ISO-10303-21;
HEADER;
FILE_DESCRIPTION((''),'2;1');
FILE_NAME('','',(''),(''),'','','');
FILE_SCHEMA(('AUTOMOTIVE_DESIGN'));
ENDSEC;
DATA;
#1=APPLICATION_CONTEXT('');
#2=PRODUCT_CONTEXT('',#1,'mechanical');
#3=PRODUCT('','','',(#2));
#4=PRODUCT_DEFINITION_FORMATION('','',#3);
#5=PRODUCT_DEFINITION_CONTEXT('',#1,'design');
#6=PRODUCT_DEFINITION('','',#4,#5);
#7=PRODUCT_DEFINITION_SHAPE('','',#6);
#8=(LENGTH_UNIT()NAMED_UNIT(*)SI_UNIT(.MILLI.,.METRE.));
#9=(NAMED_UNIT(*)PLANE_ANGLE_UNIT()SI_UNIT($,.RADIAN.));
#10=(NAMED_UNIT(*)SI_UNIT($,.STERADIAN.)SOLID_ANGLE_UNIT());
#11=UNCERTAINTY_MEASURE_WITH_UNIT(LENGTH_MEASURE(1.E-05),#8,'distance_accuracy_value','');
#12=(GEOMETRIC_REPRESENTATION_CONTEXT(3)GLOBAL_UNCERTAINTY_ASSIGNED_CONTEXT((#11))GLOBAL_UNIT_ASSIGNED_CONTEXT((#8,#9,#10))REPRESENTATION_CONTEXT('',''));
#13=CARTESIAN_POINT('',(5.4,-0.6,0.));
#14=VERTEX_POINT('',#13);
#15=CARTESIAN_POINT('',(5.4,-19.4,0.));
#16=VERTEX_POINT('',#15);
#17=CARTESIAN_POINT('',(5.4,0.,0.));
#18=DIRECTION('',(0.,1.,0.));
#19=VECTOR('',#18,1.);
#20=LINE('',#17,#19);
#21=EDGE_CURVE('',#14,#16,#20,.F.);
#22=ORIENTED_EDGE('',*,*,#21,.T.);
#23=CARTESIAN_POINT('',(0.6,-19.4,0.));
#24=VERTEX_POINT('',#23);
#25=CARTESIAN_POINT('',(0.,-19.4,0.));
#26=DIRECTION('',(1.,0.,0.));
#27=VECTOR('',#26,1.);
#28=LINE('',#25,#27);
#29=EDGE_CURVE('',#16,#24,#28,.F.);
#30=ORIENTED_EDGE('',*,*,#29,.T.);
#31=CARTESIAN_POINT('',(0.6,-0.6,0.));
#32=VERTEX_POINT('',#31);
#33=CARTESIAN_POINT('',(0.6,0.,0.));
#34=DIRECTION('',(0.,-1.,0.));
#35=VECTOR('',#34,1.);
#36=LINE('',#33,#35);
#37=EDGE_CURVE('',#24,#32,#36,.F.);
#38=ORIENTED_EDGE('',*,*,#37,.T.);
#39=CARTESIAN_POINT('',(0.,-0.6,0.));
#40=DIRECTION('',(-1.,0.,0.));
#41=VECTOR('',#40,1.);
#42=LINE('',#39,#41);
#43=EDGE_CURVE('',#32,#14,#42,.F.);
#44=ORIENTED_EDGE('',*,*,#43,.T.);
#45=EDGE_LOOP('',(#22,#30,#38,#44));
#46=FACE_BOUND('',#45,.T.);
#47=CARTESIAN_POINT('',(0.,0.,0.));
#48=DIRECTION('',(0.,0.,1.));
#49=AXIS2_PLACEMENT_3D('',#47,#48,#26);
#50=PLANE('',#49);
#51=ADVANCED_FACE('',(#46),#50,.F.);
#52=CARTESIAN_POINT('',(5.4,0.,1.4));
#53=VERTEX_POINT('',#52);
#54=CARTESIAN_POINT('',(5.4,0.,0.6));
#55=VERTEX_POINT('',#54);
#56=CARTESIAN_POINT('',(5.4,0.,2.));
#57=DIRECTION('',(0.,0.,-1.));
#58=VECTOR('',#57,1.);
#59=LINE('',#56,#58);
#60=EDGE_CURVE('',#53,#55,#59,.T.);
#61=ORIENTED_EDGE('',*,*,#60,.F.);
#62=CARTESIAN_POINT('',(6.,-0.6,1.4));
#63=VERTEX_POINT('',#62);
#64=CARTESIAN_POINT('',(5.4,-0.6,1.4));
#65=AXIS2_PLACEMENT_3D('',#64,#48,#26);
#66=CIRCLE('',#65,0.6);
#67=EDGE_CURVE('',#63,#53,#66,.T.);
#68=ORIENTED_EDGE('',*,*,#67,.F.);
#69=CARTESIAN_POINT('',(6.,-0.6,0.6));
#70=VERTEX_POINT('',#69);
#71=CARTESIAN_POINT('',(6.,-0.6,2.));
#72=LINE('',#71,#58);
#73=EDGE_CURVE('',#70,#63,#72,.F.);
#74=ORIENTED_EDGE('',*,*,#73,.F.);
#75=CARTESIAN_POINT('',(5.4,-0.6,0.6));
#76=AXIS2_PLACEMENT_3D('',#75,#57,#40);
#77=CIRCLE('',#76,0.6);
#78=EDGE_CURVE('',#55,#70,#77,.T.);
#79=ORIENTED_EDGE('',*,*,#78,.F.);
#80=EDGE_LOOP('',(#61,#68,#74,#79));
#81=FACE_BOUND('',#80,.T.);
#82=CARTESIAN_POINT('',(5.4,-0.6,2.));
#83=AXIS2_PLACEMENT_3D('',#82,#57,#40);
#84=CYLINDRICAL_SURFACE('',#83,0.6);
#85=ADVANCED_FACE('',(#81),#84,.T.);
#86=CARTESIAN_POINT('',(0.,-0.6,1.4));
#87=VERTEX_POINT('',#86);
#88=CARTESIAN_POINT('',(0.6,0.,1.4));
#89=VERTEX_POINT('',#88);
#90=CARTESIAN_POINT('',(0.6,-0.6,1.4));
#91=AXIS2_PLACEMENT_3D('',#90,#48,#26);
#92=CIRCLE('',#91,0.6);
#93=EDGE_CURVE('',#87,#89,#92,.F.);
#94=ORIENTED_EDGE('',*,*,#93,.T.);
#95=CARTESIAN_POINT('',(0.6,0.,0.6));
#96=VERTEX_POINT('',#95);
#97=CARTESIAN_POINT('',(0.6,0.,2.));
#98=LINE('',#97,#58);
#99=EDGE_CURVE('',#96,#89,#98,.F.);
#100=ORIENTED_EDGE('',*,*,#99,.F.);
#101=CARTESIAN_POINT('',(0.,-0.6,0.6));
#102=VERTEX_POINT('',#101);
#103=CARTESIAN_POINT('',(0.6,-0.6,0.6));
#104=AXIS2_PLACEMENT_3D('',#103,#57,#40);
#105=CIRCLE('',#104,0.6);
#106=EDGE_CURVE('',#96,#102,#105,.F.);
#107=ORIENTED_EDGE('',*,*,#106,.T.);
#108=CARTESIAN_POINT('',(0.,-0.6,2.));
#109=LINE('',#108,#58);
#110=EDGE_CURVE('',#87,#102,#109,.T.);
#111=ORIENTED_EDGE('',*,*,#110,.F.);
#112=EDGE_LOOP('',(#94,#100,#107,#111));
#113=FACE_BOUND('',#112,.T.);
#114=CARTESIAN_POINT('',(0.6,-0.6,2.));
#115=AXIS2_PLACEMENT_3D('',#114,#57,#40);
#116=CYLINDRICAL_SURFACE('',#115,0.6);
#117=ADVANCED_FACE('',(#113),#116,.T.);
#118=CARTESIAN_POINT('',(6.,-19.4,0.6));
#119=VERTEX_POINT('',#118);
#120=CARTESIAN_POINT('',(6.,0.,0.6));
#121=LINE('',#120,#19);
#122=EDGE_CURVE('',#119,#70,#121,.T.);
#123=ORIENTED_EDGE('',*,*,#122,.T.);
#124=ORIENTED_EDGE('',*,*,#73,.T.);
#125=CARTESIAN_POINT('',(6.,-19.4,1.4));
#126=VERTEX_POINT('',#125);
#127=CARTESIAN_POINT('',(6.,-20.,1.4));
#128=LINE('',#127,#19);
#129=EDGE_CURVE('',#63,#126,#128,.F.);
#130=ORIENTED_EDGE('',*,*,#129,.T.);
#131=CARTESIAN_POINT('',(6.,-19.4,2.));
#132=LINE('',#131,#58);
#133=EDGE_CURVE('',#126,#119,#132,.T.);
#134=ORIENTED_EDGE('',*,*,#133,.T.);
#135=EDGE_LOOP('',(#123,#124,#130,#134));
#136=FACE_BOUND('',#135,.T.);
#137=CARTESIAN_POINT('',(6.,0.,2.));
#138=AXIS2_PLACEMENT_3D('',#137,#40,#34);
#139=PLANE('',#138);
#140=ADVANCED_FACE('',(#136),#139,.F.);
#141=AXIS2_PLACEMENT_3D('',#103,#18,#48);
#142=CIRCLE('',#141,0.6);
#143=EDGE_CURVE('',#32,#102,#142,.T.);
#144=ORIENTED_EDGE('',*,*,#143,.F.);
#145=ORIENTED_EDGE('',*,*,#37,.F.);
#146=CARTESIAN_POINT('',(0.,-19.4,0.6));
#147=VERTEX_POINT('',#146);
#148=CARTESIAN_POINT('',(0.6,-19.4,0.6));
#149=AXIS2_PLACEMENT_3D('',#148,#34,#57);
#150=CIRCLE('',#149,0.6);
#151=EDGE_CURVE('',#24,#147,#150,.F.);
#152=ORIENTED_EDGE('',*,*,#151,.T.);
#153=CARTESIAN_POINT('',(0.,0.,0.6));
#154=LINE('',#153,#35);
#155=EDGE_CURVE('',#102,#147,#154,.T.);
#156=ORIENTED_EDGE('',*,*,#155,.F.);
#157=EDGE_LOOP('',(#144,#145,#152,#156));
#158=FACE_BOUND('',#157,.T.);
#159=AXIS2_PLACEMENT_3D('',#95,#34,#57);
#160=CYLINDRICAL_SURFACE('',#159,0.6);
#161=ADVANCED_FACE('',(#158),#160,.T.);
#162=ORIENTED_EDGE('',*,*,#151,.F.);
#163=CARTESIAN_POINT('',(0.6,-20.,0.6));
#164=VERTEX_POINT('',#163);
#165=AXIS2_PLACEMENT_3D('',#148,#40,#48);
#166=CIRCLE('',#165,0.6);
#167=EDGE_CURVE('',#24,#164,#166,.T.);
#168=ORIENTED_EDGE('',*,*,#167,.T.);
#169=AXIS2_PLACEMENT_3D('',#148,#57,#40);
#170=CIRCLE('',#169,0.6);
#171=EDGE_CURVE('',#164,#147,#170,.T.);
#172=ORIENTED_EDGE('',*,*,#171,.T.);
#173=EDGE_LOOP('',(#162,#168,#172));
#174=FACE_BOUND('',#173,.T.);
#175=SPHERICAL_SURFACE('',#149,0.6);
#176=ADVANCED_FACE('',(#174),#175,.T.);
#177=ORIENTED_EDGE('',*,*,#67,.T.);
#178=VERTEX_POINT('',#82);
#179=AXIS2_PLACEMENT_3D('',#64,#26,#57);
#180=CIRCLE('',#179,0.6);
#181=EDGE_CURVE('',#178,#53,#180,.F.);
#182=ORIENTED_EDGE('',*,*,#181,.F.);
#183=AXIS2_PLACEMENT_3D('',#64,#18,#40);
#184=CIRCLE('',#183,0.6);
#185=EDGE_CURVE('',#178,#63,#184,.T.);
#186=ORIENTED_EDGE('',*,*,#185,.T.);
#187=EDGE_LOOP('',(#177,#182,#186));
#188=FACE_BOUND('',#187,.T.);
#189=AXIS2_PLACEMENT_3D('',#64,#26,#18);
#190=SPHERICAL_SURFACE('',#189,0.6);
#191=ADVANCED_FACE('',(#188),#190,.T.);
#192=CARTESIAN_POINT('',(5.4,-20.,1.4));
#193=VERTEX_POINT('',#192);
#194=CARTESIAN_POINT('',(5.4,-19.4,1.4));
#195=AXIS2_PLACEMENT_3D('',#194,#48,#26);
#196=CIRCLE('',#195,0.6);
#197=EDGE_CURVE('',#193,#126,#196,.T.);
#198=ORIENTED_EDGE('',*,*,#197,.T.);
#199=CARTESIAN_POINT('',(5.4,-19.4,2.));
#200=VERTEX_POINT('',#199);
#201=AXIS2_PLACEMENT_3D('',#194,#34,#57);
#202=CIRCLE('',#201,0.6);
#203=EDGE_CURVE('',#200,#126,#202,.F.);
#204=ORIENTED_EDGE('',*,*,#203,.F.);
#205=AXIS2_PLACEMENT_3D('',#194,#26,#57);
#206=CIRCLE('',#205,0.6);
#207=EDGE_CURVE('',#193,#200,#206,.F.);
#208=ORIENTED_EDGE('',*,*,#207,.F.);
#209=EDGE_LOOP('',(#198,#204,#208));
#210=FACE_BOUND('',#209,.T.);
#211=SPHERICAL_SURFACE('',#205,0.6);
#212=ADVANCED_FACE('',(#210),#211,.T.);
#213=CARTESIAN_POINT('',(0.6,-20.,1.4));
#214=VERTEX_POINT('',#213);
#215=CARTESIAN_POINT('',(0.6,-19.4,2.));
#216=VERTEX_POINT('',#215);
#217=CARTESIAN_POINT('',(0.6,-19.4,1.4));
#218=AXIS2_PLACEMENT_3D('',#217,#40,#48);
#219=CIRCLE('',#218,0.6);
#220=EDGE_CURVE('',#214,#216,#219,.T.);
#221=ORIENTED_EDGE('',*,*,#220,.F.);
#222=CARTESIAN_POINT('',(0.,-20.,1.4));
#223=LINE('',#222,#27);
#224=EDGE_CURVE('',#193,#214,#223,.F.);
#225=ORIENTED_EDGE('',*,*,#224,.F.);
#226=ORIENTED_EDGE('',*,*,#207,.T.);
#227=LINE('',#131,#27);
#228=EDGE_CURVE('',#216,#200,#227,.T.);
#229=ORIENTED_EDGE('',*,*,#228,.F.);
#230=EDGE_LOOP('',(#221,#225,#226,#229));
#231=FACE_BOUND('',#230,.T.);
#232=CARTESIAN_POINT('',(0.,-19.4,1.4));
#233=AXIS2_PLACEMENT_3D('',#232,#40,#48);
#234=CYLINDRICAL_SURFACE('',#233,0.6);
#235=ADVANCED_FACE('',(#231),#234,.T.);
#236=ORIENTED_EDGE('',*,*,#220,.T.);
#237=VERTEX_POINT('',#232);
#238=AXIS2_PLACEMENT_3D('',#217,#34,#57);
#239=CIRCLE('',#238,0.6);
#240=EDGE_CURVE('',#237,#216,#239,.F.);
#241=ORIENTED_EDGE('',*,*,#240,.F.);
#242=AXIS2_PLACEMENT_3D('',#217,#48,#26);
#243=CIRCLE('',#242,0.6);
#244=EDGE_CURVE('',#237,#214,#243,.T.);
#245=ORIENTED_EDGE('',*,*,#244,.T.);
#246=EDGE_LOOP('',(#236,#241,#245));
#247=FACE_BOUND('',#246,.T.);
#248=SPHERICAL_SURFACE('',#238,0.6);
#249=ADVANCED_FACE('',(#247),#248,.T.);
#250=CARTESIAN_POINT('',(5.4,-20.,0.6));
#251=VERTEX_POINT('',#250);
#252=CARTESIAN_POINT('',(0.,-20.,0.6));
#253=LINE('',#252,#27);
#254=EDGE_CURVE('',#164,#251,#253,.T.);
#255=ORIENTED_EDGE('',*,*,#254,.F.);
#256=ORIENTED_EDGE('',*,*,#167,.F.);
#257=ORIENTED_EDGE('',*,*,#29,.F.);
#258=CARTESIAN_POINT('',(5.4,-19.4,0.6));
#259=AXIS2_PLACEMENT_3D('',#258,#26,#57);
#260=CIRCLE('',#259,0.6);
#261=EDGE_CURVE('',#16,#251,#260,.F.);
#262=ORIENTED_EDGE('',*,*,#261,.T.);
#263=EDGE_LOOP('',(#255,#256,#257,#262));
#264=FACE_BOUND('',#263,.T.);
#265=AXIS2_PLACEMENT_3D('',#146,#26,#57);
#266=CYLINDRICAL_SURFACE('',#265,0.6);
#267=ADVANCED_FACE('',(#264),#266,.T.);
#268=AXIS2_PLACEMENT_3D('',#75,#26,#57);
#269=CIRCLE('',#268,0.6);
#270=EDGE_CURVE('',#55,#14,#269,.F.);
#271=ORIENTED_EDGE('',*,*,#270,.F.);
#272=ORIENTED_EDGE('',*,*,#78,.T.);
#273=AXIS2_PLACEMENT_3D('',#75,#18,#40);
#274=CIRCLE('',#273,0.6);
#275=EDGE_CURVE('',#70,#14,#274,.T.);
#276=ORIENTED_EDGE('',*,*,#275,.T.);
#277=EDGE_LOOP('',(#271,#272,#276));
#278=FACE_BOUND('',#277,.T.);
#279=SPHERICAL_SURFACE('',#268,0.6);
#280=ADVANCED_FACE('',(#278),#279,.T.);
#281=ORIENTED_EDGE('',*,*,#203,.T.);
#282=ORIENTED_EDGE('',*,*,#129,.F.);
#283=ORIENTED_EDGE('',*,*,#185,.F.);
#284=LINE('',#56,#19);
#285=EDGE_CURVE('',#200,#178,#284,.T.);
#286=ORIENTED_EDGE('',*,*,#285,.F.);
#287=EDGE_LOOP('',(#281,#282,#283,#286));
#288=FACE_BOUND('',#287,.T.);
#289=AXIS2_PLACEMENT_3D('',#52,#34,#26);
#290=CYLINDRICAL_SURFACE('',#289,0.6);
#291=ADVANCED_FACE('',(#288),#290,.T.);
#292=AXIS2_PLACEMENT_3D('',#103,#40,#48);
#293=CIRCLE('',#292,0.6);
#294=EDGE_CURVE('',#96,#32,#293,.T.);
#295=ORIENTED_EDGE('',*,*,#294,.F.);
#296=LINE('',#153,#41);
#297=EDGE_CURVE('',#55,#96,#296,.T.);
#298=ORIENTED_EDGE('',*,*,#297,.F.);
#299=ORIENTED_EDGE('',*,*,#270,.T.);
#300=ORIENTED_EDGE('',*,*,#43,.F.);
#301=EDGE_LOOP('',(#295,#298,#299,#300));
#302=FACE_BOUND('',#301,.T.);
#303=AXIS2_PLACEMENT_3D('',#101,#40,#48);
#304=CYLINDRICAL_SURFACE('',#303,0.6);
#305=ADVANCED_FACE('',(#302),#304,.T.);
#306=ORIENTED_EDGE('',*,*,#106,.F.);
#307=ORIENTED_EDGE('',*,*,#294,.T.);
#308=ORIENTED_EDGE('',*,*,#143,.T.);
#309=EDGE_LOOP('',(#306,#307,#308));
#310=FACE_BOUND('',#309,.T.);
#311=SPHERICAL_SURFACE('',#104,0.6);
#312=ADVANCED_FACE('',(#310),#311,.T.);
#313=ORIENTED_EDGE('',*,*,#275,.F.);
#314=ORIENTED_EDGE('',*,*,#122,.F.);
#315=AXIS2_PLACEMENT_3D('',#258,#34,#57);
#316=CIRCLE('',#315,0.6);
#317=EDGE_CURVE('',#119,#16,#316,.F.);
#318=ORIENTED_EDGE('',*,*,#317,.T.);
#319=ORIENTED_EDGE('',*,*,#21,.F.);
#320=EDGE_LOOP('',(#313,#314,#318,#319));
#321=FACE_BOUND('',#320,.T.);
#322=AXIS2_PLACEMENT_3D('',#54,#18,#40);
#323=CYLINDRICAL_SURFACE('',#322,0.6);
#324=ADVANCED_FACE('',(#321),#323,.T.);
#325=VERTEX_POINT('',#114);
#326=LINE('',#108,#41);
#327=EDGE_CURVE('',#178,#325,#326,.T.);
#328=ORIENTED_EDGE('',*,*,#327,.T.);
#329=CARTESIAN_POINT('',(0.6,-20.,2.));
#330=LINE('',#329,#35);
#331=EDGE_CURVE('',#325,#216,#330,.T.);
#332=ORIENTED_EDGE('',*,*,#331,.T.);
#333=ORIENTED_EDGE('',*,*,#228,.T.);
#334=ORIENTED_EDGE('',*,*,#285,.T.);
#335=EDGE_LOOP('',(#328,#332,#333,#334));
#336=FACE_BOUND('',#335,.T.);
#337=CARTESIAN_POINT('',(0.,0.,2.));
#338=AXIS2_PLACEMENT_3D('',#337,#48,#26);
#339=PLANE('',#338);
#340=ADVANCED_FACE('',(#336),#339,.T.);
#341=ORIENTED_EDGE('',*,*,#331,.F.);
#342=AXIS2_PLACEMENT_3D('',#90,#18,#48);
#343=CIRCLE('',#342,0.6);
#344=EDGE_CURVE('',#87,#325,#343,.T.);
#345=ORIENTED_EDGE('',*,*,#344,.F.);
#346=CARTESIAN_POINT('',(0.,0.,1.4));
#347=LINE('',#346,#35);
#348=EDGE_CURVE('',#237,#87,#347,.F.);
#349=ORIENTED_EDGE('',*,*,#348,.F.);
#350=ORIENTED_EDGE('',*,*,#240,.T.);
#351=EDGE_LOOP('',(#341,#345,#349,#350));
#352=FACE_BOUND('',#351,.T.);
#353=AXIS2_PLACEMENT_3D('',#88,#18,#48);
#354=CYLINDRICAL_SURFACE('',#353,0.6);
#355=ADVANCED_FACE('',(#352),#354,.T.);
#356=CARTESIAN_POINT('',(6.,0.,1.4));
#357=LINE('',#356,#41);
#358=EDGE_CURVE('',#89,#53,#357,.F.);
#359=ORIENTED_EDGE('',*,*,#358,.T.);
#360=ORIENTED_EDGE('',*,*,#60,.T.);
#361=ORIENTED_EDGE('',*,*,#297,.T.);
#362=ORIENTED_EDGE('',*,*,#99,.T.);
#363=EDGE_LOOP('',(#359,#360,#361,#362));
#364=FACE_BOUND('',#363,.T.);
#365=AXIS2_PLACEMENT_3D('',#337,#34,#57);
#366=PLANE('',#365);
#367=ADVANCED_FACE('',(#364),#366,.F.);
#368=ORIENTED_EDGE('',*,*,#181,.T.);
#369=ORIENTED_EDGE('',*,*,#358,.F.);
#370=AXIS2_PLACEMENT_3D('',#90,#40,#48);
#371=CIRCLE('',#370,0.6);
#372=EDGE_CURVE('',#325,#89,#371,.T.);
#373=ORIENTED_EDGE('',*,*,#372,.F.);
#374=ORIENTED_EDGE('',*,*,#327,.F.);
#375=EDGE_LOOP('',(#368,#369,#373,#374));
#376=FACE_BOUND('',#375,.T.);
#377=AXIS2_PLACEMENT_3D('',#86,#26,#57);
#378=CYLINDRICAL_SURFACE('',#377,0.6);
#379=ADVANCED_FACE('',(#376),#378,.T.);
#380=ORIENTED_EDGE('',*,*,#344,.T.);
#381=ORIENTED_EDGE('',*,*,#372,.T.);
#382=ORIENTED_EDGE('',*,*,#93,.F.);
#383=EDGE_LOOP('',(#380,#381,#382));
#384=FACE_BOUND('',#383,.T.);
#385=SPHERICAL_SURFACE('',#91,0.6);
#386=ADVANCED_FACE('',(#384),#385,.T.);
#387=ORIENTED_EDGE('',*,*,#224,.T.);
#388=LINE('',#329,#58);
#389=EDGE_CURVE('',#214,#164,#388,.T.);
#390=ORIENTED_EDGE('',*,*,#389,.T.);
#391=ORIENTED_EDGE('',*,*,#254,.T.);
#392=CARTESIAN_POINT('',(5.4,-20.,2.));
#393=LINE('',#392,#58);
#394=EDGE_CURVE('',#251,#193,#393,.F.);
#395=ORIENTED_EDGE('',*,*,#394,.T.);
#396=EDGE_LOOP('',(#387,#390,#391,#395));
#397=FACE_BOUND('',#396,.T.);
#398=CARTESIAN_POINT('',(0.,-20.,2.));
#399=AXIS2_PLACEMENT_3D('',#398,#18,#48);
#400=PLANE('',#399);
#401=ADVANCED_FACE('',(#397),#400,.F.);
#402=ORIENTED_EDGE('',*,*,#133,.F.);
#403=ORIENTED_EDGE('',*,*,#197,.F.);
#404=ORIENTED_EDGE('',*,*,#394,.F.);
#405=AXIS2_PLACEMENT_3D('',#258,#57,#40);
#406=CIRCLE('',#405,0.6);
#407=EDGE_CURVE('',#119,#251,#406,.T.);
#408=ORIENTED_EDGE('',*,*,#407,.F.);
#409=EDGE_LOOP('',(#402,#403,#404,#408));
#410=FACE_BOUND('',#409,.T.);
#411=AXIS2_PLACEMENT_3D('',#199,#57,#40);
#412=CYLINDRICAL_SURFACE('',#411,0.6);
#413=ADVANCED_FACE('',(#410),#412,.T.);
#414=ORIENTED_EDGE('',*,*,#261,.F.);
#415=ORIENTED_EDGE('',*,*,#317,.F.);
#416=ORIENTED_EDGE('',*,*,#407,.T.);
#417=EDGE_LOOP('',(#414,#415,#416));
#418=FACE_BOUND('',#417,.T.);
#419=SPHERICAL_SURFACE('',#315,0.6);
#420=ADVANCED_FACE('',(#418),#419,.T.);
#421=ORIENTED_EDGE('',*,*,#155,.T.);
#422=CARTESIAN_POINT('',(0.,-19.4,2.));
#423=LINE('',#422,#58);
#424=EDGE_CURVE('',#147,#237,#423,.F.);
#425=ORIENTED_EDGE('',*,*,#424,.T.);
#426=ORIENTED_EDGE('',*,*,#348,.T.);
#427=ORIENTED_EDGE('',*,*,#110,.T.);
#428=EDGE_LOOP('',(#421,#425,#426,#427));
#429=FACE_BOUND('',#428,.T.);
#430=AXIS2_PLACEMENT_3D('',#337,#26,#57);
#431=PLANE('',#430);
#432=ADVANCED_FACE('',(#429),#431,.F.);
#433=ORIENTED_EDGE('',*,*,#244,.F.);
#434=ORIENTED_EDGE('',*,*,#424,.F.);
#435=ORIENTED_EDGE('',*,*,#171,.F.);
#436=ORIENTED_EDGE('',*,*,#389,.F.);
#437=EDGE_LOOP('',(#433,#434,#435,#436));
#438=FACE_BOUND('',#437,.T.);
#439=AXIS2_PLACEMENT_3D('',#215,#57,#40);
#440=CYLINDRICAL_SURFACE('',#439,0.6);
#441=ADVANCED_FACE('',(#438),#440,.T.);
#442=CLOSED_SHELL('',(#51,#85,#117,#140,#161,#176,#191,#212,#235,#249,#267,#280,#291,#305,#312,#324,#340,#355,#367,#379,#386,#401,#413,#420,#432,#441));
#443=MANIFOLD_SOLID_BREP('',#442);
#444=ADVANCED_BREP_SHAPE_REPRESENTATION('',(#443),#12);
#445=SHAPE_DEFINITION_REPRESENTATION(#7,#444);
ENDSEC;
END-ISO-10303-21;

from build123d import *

# Parameters (mm, degrees)
SKIZZE1_W                       = 6
SKIZZE1_H                       = 20
AUFSATZ_LINEAR_AUSTRAGEN1_DEPTH = 2
VERRUNDUNG1_R                   = 0.6


with BuildPart() as part:
    # Skizze1 → Aufsatz-Linear austragen1 (new body)
    with BuildSketch(Plane.XY):
        with Locations((3, -10)):
            Rectangle(SKIZZE1_W, SKIZZE1_H)
    extrude(amount=AUFSATZ_LINEAR_AUSTRAGEN1_DEPTH)

    # Verrundung1
    verrundung1_edges = [part.edges().sort_by_distance(p)[0] for p in [
        (6, -10, 2),
        (3, 0, 2),
        (0, -10, 2),
        (3, 0, 0),
        (6, -10, 0),
        (3, -20, 0),
        (0, -10, 0),
        (0, 0, 1),
        (6, 0, 1),
        (6, -20, 1),
        (0, -20, 1),
        (3, -20, 2),
    ]]
    fillet(verrundung1_edges, radius=VERRUNDUNG1_R)


solid = part.part
